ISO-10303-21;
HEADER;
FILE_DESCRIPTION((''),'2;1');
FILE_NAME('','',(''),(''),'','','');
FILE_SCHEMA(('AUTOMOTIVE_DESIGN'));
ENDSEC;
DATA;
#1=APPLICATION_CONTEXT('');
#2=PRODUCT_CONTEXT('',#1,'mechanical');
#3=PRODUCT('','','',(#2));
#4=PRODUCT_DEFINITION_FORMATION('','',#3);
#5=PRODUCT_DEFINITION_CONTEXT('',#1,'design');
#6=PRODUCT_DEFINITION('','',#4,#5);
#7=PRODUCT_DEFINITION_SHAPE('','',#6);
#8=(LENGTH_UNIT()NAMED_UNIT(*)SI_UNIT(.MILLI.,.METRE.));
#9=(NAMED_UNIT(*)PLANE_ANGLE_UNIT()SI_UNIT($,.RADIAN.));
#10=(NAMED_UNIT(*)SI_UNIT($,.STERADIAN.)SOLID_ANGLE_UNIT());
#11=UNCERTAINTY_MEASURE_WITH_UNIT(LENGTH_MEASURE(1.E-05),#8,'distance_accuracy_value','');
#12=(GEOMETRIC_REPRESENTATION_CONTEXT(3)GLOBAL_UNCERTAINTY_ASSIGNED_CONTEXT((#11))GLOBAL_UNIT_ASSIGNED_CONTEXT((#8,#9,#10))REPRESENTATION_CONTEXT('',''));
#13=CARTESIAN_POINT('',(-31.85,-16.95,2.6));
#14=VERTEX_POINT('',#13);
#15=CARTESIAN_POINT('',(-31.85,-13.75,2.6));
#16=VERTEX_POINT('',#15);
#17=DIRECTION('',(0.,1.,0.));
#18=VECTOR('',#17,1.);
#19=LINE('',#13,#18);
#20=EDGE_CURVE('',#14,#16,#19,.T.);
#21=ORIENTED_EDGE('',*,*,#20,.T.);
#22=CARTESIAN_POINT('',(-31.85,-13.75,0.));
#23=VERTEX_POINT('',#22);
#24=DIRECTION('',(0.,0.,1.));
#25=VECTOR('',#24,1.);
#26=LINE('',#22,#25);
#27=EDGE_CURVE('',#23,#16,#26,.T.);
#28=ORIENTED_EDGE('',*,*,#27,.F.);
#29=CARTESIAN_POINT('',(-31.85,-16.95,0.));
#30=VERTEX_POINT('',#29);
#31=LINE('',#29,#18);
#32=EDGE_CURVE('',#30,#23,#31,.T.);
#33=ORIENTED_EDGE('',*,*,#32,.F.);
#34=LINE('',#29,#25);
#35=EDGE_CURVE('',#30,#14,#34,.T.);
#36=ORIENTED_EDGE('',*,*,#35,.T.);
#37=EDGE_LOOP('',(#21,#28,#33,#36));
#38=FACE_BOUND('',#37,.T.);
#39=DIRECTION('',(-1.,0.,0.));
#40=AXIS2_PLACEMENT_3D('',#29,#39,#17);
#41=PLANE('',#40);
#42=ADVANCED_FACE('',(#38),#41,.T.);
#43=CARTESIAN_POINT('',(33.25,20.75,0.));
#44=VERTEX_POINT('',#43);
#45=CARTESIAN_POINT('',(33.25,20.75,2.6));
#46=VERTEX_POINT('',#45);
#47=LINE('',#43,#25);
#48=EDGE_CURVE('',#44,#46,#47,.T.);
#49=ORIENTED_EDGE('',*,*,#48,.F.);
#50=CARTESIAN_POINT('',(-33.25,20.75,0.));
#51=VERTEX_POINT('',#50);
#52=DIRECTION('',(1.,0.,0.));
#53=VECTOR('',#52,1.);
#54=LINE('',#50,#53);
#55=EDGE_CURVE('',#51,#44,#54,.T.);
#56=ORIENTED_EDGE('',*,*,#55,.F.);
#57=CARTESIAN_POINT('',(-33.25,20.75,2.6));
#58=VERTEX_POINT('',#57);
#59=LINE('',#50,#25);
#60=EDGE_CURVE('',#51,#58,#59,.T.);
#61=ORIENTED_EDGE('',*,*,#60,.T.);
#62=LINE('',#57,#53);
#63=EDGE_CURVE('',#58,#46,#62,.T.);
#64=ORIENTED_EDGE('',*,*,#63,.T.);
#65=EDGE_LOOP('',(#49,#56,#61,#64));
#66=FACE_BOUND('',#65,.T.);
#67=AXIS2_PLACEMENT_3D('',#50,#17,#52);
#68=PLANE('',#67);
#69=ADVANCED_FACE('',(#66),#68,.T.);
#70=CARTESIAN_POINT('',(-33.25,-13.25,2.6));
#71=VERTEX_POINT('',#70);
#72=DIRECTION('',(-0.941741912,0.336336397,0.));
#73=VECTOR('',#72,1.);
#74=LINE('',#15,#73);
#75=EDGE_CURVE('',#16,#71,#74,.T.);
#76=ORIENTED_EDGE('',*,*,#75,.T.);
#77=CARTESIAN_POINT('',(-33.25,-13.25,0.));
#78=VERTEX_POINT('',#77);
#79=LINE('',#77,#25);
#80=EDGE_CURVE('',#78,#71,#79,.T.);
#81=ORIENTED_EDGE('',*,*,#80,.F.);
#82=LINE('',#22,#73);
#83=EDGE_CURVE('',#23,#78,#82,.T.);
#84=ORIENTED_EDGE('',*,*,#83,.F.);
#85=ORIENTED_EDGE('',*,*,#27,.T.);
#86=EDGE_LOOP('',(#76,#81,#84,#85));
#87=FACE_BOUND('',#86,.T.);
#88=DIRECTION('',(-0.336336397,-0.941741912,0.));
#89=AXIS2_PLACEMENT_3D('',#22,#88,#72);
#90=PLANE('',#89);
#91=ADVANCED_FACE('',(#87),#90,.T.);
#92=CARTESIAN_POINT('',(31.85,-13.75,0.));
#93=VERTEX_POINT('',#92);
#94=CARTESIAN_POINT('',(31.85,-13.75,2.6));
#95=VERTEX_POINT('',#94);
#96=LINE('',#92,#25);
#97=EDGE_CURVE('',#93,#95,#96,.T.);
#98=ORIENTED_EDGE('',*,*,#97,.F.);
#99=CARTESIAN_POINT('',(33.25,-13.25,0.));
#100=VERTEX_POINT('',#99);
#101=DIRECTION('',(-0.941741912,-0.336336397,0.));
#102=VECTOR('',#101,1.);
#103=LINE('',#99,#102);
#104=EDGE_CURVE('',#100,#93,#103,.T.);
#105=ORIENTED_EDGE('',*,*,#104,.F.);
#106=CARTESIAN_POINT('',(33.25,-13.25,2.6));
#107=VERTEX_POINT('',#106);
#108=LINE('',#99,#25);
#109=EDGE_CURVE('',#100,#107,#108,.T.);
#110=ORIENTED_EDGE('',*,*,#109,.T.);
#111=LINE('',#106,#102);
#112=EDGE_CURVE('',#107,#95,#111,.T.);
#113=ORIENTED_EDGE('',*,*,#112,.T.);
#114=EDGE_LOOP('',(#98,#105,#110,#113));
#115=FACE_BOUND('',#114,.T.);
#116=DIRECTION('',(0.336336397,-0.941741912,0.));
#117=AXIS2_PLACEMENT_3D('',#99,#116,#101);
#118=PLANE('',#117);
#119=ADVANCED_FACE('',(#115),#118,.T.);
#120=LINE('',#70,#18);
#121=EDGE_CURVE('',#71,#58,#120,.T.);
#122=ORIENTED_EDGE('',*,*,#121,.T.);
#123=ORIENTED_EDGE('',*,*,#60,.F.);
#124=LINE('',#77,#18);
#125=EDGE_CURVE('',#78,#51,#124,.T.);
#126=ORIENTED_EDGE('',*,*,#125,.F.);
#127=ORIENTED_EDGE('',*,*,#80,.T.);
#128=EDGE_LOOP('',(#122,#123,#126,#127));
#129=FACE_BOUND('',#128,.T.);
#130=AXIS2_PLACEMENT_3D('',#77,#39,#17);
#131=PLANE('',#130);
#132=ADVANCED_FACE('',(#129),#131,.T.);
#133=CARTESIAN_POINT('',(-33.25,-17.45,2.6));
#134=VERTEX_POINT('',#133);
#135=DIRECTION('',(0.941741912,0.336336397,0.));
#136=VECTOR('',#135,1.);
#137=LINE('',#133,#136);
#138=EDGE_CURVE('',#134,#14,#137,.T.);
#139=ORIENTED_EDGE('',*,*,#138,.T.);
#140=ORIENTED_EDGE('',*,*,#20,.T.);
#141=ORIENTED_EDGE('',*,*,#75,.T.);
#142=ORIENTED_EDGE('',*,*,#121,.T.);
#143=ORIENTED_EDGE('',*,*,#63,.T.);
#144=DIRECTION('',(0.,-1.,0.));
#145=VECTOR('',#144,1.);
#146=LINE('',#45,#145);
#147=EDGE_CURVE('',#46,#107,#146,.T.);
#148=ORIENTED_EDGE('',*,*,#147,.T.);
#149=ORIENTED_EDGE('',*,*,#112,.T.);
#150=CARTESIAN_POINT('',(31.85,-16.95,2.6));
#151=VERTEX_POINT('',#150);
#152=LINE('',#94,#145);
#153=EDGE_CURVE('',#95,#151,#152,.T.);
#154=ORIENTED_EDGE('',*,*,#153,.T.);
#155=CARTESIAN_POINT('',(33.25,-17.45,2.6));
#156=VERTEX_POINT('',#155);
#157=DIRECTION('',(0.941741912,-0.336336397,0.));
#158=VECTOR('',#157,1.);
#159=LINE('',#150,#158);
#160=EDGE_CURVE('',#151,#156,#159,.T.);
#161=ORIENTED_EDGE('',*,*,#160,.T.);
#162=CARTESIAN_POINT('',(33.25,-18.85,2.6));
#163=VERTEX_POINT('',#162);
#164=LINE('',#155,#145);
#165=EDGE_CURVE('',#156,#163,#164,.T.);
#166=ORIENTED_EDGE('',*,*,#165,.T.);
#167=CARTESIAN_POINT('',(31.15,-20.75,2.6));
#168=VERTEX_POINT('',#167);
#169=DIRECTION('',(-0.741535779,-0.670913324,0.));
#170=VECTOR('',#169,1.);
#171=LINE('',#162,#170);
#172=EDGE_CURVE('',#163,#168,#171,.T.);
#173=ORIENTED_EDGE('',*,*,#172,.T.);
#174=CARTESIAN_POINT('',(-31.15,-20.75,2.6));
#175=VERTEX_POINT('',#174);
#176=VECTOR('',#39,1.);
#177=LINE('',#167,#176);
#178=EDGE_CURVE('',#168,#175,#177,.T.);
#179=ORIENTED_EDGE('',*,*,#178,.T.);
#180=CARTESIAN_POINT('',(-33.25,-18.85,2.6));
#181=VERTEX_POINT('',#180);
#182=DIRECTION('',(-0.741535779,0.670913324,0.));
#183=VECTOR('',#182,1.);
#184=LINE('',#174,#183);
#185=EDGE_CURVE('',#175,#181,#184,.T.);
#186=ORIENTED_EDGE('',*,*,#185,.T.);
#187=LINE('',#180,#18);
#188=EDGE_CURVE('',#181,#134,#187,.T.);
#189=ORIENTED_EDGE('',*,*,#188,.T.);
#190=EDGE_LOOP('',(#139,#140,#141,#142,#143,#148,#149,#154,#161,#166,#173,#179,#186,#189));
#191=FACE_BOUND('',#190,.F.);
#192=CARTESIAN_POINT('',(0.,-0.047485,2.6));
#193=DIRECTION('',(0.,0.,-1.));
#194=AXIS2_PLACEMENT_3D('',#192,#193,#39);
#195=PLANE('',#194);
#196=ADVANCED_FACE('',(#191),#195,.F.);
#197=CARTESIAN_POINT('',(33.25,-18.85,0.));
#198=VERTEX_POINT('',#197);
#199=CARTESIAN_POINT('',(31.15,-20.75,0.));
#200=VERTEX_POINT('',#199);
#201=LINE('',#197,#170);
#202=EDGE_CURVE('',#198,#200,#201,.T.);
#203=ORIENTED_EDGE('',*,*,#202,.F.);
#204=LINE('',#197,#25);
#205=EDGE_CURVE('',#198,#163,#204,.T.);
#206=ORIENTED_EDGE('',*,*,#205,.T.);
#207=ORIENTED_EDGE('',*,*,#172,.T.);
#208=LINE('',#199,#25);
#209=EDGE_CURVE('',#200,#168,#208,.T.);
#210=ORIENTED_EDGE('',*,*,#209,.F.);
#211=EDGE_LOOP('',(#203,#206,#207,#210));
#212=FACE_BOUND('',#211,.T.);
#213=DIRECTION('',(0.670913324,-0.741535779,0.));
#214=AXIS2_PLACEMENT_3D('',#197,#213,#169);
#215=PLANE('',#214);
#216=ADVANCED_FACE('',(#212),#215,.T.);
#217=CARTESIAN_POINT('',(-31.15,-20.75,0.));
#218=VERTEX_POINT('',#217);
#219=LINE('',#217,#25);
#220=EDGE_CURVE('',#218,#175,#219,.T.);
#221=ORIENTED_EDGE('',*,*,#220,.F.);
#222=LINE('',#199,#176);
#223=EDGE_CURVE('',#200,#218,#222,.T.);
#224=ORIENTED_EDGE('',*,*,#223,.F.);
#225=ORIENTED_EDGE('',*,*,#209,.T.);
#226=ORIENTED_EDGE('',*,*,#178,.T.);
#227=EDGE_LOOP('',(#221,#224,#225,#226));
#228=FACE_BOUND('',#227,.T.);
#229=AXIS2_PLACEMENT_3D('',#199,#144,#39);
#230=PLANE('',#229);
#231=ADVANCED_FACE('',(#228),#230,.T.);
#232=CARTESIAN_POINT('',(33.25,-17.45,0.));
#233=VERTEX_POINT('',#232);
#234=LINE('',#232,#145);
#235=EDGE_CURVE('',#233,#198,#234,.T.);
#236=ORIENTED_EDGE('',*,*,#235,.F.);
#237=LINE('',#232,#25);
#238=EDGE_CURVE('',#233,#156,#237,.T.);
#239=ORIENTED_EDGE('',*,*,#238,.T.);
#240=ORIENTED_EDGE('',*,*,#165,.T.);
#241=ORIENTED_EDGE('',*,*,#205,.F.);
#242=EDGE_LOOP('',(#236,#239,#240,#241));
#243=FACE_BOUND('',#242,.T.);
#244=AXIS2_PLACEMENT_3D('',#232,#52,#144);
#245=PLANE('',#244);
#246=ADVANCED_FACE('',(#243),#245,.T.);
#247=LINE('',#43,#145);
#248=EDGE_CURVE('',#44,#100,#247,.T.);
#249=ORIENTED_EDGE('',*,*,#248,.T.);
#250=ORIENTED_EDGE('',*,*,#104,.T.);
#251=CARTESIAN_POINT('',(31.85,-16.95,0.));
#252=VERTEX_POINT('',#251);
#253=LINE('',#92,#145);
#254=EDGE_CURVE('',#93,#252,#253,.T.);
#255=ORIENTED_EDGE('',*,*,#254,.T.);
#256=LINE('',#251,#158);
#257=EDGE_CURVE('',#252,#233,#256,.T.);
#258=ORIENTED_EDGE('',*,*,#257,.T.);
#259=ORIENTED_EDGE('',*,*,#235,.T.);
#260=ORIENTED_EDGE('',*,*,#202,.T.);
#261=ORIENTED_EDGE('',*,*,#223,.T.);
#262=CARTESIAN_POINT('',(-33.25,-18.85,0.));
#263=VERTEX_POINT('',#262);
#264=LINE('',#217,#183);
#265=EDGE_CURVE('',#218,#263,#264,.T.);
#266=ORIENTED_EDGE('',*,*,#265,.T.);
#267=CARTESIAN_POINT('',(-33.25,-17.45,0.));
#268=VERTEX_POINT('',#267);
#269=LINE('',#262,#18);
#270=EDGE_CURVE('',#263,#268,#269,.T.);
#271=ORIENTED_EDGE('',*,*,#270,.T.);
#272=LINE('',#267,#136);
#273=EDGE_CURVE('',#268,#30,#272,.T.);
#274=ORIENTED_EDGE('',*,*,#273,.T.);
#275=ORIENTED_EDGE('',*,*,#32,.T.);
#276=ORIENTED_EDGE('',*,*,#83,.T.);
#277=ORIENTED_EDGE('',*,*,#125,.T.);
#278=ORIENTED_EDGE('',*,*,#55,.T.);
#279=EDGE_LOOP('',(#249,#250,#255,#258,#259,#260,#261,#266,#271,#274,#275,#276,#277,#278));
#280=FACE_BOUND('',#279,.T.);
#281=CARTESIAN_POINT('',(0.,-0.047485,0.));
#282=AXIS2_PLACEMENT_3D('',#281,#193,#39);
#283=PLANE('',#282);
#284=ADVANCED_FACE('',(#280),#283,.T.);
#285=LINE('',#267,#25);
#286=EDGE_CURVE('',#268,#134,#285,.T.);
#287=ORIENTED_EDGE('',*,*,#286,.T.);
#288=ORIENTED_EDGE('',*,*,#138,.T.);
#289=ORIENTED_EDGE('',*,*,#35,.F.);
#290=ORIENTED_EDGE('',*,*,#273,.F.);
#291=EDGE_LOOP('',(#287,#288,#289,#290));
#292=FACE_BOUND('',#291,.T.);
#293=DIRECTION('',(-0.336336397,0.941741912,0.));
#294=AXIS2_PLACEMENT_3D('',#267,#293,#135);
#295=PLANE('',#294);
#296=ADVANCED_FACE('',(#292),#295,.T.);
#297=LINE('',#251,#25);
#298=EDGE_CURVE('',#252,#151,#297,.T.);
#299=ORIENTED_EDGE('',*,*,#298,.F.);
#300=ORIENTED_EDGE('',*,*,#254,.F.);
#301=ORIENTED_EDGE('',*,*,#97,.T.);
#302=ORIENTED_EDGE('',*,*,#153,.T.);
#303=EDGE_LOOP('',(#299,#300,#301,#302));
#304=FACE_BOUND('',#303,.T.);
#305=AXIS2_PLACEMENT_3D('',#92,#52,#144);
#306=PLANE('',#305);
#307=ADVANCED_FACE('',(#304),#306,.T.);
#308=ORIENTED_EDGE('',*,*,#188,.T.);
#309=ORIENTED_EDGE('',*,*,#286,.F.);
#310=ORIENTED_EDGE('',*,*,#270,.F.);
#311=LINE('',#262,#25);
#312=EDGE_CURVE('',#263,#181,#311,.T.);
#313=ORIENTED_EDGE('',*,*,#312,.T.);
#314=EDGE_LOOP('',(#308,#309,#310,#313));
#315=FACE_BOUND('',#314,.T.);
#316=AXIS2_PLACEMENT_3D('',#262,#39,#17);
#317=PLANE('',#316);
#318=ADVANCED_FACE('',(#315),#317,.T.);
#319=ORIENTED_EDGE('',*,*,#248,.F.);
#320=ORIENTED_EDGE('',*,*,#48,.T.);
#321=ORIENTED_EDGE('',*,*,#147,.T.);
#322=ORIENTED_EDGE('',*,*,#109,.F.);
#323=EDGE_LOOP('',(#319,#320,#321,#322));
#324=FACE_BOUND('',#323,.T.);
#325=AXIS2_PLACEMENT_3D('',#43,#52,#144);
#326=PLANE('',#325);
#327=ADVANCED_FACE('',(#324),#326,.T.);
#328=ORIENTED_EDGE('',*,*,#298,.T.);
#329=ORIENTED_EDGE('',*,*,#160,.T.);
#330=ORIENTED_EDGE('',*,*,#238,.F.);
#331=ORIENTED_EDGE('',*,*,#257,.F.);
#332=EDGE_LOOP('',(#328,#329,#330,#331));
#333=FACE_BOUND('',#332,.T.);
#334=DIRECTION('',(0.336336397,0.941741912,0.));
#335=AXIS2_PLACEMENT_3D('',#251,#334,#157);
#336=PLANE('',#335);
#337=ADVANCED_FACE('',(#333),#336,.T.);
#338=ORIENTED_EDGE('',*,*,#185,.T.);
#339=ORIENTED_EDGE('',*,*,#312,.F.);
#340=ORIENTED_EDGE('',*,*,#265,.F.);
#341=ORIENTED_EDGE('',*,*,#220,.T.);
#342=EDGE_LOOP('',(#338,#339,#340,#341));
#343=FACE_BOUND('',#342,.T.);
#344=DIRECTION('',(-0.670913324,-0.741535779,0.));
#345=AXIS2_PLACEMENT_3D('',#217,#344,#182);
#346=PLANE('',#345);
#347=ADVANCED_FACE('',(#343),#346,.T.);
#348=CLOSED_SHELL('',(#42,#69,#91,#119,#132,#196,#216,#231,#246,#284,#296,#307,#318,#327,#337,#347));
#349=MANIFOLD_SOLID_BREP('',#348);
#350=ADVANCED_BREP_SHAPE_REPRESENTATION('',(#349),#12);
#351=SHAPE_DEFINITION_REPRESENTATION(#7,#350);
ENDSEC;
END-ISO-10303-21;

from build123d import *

# Parameters (mm, degrees)
PAD_DEPTH = 2.6


with BuildPart() as part:
    # Sketch → Pad (new body)
    with BuildSketch(Plane.XY):
        Polygon((-33.25, 20.75), (33.25, 20.75), (33.25, -13.25), (31.85, -13.75), (31.85, -16.95), (33.25, -17.45), (33.25, -18.85), (31.15, -20.75), (-31.15, -20.75), (-33.25, -18.85), (-33.25, -17.45), (-31.85, -16.95), (-31.85, -13.75), (-33.25, -13.25), align=None)
    extrude(amount=PAD_DEPTH)


solid = part.part
